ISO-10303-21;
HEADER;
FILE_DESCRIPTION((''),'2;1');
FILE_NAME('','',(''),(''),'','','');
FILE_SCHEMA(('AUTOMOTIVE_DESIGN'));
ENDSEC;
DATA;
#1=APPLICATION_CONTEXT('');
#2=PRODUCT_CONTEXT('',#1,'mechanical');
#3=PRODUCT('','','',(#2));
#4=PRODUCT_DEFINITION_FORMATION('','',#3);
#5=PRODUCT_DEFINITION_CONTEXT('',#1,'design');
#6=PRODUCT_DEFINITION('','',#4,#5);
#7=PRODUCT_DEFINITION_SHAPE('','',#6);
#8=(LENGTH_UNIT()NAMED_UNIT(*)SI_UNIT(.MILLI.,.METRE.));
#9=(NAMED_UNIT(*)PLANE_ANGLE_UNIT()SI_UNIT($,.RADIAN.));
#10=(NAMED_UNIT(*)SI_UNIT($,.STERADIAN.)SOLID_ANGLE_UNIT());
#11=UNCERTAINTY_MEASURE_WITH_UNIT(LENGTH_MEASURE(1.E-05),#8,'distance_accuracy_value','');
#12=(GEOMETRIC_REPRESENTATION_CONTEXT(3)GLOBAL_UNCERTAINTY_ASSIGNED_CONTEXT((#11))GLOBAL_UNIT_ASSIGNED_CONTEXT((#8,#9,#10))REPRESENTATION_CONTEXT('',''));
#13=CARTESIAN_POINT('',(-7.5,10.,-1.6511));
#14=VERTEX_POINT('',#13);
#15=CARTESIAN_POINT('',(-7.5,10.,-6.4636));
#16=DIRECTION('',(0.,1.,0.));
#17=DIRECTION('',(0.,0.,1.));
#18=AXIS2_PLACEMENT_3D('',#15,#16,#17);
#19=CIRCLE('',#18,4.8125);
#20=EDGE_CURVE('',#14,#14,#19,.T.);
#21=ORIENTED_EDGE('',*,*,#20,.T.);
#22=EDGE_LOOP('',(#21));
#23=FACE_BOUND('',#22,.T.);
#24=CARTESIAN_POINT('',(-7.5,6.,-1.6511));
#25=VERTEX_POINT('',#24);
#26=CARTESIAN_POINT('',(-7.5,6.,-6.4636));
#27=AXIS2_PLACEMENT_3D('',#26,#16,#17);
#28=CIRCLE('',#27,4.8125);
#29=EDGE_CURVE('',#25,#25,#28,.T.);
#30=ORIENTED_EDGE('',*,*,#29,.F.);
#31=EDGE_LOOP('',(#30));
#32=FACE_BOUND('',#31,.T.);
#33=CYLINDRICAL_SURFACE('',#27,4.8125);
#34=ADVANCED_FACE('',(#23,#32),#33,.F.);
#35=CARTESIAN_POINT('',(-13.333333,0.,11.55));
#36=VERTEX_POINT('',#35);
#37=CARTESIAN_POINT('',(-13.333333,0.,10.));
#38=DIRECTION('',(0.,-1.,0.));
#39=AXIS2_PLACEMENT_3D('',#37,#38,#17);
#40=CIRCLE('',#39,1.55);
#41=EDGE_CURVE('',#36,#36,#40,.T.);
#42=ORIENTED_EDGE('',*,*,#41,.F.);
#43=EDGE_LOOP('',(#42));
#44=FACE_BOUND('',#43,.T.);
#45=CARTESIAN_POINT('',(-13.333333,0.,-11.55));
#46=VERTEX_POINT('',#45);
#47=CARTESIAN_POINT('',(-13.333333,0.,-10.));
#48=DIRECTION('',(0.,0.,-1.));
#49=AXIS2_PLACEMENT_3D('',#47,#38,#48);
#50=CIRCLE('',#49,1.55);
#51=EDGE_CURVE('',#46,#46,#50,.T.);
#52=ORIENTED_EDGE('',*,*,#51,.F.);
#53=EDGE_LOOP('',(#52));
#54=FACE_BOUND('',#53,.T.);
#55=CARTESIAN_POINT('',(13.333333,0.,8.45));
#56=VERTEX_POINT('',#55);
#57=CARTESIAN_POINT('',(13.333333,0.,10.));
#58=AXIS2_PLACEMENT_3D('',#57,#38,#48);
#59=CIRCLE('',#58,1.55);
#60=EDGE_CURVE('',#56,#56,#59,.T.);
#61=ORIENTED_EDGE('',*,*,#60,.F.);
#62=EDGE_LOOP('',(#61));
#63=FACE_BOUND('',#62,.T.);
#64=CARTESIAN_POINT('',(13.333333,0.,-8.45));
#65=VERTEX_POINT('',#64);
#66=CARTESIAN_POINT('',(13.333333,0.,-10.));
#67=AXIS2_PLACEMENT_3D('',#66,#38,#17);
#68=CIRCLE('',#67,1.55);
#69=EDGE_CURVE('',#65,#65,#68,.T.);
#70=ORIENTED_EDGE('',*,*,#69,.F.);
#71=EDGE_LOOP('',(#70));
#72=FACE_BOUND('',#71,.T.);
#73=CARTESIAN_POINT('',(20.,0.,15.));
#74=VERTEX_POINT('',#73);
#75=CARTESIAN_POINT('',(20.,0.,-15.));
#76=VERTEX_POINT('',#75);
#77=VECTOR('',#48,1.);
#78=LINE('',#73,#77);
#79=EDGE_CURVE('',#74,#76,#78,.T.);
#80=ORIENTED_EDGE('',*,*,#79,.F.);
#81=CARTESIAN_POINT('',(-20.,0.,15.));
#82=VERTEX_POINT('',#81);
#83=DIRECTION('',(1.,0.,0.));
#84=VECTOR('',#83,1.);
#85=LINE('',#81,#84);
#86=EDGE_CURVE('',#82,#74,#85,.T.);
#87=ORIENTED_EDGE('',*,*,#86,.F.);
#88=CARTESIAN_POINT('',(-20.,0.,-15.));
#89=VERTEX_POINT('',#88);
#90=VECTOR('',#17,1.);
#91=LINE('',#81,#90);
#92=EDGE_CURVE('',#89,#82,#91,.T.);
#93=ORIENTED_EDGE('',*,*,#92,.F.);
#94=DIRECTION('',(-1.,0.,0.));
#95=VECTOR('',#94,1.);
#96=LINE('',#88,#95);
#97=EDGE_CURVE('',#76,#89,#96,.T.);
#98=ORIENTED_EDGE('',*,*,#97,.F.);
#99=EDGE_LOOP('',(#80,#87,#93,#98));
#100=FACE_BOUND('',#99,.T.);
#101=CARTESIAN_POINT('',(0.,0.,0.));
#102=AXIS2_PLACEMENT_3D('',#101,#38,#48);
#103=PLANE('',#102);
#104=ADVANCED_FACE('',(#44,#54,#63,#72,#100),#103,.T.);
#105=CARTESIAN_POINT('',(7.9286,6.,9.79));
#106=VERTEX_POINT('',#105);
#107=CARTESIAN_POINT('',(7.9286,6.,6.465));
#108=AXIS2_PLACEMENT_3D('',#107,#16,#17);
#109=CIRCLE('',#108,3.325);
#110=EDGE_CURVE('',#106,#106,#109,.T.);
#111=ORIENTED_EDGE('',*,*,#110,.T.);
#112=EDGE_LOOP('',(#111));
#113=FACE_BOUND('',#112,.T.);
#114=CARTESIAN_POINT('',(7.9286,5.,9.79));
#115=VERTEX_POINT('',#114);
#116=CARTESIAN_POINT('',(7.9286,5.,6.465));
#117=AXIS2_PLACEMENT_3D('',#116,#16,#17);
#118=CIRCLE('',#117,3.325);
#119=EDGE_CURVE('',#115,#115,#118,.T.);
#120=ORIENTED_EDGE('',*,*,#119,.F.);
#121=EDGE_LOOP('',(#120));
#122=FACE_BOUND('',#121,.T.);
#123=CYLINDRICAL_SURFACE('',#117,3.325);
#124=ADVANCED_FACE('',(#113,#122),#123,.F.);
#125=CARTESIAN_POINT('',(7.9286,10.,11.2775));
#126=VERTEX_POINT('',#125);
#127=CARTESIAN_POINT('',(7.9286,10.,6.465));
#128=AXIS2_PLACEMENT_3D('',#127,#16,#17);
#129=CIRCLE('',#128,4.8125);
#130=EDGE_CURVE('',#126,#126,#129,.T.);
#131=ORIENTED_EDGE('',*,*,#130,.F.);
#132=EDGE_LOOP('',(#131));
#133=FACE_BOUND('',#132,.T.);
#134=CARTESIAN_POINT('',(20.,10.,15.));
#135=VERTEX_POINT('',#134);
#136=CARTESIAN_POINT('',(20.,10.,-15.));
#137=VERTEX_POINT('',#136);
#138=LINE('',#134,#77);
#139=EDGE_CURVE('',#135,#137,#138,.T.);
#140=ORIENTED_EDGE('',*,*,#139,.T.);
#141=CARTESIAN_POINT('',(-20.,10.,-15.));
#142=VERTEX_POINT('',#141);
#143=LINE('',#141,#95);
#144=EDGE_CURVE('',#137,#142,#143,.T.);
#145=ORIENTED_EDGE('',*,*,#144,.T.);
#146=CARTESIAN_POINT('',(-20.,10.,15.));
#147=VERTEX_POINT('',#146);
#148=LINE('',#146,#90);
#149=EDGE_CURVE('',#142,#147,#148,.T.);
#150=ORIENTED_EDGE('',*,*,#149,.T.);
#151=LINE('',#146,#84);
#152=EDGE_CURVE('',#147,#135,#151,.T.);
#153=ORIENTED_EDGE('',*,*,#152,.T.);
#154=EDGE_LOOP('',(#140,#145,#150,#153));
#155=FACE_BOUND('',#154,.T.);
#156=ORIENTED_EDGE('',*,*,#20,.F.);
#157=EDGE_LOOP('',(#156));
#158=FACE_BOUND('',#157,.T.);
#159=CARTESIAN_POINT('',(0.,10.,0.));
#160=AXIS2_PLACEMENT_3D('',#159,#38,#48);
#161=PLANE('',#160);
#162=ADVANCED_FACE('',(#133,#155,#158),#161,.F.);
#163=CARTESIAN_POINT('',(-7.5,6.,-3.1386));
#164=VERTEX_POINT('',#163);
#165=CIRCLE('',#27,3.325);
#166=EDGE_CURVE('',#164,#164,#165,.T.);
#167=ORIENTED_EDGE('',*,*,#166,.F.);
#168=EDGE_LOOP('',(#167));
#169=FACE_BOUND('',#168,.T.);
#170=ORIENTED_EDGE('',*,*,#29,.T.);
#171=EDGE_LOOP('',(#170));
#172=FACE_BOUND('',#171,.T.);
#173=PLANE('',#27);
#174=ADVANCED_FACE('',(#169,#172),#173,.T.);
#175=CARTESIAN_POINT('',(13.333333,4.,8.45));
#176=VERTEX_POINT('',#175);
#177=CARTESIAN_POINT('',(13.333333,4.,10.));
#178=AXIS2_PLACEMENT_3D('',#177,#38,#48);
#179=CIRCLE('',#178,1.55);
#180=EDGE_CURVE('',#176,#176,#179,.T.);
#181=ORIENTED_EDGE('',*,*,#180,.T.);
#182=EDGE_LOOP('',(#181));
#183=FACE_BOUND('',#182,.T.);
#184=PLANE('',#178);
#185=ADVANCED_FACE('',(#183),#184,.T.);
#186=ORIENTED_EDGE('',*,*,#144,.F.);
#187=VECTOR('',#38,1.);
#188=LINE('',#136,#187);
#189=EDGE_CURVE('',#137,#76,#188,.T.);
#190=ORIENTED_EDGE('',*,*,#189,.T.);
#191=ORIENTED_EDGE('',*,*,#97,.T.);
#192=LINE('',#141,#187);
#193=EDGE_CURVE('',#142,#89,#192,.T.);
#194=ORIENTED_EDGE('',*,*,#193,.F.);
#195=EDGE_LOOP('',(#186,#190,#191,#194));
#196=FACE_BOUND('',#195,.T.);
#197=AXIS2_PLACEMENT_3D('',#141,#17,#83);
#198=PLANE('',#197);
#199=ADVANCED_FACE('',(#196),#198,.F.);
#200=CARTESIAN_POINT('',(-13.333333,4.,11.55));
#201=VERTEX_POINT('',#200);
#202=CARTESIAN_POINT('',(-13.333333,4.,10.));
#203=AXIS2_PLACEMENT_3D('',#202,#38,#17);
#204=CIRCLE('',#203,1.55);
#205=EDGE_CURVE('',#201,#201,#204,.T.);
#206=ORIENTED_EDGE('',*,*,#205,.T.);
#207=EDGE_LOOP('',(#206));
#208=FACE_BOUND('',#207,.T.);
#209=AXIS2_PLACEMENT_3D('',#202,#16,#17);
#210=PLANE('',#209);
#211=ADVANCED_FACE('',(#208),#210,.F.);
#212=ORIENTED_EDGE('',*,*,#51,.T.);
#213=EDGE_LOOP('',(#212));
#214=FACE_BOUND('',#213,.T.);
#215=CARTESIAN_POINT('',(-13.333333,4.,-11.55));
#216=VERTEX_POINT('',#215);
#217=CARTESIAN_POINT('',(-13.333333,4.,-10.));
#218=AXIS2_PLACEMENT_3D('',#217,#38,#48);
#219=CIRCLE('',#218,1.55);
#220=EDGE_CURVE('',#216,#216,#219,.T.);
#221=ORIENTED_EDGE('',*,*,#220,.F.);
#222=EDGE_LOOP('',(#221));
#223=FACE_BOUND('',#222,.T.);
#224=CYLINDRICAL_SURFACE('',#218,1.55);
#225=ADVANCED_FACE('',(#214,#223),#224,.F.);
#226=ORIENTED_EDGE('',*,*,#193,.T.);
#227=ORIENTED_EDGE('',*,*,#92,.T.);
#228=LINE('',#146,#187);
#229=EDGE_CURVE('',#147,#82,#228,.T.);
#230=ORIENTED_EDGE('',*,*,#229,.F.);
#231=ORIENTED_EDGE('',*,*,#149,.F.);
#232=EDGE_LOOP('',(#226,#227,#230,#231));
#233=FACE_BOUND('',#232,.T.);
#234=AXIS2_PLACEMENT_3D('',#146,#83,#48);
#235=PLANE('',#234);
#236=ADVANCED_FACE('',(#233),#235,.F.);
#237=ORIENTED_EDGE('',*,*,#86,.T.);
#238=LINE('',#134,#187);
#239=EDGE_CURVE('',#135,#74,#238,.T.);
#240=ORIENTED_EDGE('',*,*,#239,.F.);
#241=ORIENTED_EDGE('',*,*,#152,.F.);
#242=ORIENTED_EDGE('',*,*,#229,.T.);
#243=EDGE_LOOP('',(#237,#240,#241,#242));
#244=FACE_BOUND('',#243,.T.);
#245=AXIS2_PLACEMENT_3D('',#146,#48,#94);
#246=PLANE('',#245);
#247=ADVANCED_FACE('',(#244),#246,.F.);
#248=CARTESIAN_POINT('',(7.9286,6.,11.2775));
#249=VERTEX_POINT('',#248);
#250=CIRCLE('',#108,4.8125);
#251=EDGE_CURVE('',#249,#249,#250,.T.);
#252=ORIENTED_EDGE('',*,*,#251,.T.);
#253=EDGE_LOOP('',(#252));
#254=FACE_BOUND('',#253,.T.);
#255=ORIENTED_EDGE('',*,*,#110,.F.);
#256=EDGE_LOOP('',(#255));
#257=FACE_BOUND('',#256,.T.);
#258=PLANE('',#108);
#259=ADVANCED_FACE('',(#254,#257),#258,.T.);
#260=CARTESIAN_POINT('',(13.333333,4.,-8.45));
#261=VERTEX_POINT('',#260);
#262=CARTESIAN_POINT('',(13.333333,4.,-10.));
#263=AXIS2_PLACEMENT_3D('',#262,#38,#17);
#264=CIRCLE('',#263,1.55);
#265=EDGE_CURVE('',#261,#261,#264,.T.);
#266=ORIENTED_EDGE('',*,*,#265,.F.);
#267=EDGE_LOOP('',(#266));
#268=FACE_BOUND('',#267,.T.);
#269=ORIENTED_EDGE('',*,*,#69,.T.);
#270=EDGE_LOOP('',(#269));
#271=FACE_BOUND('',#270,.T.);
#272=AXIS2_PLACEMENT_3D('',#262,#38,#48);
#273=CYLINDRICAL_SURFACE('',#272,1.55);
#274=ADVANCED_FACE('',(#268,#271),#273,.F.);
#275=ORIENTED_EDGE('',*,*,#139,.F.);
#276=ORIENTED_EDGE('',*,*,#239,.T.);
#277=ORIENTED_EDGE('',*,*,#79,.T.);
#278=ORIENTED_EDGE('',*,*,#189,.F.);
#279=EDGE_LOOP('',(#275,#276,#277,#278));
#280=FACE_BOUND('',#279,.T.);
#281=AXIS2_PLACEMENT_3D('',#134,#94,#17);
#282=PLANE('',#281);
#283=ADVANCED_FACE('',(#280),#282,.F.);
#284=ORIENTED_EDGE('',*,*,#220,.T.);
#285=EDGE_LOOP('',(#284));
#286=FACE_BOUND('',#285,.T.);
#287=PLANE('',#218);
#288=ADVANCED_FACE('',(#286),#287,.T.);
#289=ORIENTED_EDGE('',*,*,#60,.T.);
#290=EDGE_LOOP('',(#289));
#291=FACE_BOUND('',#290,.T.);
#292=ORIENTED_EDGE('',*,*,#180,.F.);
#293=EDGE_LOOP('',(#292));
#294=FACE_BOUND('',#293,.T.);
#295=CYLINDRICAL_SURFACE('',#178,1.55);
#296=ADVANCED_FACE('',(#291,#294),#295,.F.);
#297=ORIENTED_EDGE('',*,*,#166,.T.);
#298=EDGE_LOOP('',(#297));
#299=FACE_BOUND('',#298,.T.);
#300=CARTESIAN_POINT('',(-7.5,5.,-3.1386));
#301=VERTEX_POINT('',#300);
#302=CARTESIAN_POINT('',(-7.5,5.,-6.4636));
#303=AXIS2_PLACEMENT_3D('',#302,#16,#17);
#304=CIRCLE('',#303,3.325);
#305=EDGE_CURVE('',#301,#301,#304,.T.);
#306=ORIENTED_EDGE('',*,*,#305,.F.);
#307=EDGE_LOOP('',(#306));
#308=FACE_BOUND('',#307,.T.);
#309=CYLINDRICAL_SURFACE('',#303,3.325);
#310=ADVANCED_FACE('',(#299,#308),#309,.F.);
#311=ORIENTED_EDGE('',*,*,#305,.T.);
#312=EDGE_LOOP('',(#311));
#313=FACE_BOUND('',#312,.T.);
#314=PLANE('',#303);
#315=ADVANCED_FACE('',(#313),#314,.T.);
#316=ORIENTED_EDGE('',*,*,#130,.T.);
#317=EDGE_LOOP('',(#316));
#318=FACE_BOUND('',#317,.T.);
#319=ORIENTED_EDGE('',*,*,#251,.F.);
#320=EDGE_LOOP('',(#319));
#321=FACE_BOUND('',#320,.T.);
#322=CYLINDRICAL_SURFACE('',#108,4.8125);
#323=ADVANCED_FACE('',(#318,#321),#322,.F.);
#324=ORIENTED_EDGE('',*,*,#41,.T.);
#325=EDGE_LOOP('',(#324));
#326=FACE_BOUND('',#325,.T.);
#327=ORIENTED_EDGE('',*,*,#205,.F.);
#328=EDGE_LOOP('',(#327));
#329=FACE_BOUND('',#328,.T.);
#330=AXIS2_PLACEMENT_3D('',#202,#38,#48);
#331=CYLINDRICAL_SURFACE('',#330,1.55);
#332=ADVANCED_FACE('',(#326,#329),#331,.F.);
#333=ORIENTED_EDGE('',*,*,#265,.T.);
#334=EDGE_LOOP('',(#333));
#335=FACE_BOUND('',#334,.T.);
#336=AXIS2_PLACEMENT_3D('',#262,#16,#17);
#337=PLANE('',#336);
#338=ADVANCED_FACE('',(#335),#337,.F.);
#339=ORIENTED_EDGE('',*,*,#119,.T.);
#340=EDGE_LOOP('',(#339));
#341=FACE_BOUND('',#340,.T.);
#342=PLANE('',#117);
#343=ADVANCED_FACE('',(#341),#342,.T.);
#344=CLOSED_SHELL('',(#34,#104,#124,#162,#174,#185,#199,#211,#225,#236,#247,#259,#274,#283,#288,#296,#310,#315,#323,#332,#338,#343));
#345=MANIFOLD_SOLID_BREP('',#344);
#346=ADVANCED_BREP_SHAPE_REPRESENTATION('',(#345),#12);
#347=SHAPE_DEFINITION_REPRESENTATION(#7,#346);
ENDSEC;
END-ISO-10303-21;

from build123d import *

# Parameters (mm, degrees)
SKETCH2_W           = 40
SKETCH2_H           = 30
BOSS_EXTRUDE1_DEPTH = 10
SKETCH3_R           = 1.55
CUT_EXTRUDE1_DEPTH  = 4
SKETCH4_R           = 4.8125
CUT_EXTRUDE2_DEPTH  = 4
SKETCH7_R           = 3.325
CUT_EXTRUDE3_DEPTH  = 1


with BuildPart() as part:
    # Sketch2 → Boss-Extrude1 (new body)
    with BuildSketch(Plane(origin=(0, 0, 0), x_dir=(1, 0, 0), z_dir=(0, 1, 0))):
        Rectangle(SKETCH2_W, SKETCH2_H)
    extrude(amount=BOSS_EXTRUDE1_DEPTH)

    # Sketch3 → Cut-Extrude1 (cut)
    with BuildSketch(Plane(origin=(0, 0, 0), x_dir=(-1, 0, 0), z_dir=(0, -1, 0))):
        with Locations(Location((-13.333333333, -10, 0), (0, 0, 90))):
            Circle(SKETCH3_R)
        with Locations(Location((13.333333333, -10, 0), (0, 0, 270))):
            Circle(SKETCH3_R)
        with Locations(Location((-13.333333333, 10, 0), (0, 0, 270))):
            Circle(SKETCH3_R)
        with Locations(Location((13.333333333, 10, 0), (0, 0, 90))):
            Circle(SKETCH3_R)
    extrude(amount=-CUT_EXTRUDE1_DEPTH, mode=Mode.SUBTRACT)

    # Sketch4 → Cut-Extrude2 (cut)
    with BuildSketch(Plane(origin=(0, 10, 0), x_dir=(1, 0, 0), z_dir=(0, 1, 0))):
        with Locations(Location((7.9286, -6.465, 0), (0, 0, 270))):
            Circle(SKETCH4_R)
        with Locations(Location((-7.5, 6.4636, 0), (0, 0, 270))):
            Circle(SKETCH4_R)
    extrude(amount=-CUT_EXTRUDE2_DEPTH, mode=Mode.SUBTRACT)

    # Sketch7 → Cut-Extrude3 (cut)
    with BuildSketch(Plane(origin=(0, 6, 0), x_dir=(1, 0, 0), z_dir=(0, 1, 0))):
        with Locations(Location((7.9286, -6.465, 0), (0, 0, 270))):
            Circle(SKETCH7_R)
        with Locations(Location((-7.5, 6.4636, 0), (0, 0, 270))):
            Circle(SKETCH7_R)
    extrude(amount=-CUT_EXTRUDE3_DEPTH, mode=Mode.SUBTRACT)


solid = part.part
